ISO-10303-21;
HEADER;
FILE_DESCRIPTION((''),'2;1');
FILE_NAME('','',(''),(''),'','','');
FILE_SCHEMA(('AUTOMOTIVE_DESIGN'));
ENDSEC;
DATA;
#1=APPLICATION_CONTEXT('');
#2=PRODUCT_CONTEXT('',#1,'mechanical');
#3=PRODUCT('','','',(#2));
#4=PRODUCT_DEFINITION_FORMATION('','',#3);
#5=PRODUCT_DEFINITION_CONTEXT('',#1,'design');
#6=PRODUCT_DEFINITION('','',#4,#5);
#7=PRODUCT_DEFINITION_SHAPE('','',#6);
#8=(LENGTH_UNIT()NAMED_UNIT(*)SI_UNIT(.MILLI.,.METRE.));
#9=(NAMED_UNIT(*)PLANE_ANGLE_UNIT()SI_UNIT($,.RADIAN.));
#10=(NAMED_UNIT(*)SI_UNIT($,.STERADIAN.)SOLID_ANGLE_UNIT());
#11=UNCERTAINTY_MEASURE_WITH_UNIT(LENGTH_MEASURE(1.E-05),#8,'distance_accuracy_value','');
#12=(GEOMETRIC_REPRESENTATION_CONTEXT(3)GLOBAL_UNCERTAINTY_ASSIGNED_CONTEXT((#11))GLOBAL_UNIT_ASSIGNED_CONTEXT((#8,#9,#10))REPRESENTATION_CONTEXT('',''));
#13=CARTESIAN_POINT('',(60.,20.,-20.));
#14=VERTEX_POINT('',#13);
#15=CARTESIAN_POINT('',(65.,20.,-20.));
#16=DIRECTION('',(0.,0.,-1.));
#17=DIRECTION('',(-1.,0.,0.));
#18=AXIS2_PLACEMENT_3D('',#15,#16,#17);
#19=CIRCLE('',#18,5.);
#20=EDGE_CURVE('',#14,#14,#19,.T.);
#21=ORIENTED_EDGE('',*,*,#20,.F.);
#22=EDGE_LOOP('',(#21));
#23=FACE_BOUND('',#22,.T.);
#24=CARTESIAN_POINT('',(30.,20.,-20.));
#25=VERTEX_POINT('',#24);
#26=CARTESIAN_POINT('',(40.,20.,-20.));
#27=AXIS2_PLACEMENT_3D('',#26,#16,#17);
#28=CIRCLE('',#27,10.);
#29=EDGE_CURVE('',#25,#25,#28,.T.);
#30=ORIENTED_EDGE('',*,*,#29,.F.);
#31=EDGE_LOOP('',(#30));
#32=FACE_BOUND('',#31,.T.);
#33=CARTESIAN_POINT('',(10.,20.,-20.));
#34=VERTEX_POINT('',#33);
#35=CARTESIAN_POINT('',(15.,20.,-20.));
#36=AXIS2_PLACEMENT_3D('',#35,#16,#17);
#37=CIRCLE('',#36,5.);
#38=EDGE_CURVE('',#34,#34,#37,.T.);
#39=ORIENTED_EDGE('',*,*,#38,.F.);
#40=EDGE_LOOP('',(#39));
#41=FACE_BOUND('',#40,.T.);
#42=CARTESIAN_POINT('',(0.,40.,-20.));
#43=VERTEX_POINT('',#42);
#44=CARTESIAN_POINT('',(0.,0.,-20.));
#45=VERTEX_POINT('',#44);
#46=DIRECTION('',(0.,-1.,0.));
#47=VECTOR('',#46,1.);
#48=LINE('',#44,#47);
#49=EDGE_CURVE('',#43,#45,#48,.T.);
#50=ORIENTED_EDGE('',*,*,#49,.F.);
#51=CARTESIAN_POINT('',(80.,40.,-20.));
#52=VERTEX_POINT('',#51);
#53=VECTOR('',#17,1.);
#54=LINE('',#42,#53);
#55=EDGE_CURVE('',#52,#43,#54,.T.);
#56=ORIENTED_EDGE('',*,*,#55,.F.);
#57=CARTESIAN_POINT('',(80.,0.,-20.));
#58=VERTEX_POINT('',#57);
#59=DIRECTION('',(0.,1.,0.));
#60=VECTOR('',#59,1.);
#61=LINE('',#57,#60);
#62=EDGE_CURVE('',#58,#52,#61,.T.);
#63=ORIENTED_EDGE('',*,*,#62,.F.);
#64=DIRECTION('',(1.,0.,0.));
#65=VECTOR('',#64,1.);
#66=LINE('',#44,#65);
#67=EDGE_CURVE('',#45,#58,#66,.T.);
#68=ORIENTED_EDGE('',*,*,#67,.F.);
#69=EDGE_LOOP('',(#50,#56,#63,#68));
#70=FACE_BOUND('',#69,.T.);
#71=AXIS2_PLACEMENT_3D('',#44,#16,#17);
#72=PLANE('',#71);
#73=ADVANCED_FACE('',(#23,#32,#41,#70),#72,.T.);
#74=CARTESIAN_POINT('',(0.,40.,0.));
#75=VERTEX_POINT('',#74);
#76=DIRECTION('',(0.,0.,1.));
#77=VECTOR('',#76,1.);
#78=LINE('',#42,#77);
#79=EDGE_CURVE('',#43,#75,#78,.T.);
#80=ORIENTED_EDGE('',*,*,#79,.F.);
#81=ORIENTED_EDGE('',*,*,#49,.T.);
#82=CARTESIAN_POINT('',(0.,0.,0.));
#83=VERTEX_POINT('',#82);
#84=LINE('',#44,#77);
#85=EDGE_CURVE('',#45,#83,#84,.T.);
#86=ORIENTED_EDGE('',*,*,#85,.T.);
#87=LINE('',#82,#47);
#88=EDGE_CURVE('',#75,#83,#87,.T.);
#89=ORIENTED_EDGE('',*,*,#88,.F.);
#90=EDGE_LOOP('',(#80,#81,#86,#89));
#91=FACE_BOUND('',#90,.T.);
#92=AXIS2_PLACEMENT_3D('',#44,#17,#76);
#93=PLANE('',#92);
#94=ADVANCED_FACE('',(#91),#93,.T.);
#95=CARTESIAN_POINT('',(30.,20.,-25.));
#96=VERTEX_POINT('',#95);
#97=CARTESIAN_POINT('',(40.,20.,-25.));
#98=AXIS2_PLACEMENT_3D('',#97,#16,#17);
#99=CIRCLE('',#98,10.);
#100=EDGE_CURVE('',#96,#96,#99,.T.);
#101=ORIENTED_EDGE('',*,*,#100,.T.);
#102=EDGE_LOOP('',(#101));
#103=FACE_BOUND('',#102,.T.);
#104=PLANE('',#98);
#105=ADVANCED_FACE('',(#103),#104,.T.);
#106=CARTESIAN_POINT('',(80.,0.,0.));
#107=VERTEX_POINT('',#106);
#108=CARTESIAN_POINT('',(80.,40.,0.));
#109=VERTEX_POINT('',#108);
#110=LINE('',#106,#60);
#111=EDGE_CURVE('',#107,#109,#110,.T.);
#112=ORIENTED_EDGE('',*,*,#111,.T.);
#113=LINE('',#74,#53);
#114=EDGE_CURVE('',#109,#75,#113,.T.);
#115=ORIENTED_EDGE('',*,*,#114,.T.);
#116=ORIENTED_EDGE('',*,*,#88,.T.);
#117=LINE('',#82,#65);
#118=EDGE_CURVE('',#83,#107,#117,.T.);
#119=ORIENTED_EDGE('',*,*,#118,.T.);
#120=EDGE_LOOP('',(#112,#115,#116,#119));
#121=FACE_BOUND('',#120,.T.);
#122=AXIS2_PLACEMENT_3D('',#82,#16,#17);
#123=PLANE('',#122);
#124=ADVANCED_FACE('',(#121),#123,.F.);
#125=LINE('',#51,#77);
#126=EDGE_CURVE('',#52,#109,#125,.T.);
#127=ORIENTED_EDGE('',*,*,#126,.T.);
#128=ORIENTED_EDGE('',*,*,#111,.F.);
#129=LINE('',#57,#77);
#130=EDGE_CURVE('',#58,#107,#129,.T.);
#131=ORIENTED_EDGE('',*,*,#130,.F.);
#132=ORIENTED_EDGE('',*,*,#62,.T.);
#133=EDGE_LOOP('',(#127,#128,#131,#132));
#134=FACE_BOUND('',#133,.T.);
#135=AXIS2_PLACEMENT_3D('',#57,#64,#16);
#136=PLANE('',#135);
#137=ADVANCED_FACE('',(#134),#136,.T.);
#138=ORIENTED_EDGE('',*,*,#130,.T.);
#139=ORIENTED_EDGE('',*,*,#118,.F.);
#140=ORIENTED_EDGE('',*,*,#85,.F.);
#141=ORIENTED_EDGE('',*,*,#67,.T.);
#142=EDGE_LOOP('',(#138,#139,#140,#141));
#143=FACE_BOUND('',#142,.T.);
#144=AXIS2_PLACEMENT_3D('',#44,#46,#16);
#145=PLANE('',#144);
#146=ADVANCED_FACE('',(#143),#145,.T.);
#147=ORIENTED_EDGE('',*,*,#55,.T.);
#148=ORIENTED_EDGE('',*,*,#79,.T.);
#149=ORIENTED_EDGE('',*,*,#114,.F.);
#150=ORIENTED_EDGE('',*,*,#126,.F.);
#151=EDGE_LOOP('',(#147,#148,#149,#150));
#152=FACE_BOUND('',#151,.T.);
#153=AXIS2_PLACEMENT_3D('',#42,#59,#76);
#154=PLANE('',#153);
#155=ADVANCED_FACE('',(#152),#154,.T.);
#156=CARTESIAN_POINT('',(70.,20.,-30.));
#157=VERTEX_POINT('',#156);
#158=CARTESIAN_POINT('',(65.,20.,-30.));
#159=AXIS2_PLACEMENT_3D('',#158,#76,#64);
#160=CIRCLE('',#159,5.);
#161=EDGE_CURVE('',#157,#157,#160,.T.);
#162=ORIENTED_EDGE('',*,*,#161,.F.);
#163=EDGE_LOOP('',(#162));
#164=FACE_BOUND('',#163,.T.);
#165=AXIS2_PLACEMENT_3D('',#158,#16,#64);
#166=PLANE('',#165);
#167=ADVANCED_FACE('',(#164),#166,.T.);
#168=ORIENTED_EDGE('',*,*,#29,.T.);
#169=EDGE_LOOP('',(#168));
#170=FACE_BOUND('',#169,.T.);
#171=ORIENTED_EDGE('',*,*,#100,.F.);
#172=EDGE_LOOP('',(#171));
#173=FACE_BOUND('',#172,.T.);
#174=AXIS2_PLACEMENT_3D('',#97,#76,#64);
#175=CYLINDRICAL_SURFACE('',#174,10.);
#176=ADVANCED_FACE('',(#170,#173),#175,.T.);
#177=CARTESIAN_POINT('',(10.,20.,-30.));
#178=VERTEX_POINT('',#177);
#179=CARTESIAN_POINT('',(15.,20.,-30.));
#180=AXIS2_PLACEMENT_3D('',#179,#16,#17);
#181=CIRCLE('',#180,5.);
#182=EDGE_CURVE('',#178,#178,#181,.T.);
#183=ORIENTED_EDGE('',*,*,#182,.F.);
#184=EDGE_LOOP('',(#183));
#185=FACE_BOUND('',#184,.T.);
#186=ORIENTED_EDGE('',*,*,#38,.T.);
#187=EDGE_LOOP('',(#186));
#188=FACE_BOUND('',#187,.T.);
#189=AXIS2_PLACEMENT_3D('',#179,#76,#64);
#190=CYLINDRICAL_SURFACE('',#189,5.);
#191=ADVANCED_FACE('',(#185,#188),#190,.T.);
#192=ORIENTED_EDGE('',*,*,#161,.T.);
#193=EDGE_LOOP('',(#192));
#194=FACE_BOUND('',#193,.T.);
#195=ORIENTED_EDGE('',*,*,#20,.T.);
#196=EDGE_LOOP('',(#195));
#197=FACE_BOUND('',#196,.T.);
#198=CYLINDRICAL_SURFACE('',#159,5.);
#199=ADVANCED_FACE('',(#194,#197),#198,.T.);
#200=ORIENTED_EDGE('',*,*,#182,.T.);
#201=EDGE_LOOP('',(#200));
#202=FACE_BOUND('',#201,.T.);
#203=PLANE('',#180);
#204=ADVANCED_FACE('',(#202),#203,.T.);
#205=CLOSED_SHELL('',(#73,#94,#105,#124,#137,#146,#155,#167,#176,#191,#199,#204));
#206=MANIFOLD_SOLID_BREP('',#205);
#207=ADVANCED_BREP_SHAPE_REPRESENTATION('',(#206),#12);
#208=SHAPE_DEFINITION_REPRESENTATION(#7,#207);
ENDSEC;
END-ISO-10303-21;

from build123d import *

# Parameters (mm, degrees)
SKETCH1_W           = 80
SKETCH1_H           = 40
BOSS_EXTRUDE1_DEPTH = 20
SKETCH2_R           = 10
BOSS_EXTRUDE2_DEPTH = 5
SKETCH3_R           = 5
BOSS_EXTRUDE3_DEPTH = 10


with BuildPart() as part:
    # Sketch1 → Boss-Extrude1 (new body)
    with BuildSketch(Plane.XY):
        with Locations((40, 20)):
            Rectangle(SKETCH1_W, SKETCH1_H)
    extrude(amount=-BOSS_EXTRUDE1_DEPTH)

    # Sketch2 → Boss-Extrude2 (add)
    with BuildSketch(Plane(origin=(0, 0, -20), x_dir=(-1, 0, 0), z_dir=(0, 0, -1))):
        with Locations((-40, 20)):
            Circle(SKETCH2_R)
    extrude(amount=BOSS_EXTRUDE2_DEPTH)

    # Sketch3 → Boss-Extrude3 (add)
    with BuildSketch(Plane(origin=(0, 0, -20), x_dir=(-1, 0, 0), z_dir=(0, 0, -1))):
        with Locations((-15, 20)):
            Circle(SKETCH3_R)
    boss_extrude3 = extrude(amount=BOSS_EXTRUDE3_DEPTH)

    # Mirror1: Boss-Extrude3 across plane
    add(boss_extrude3.mirror(Plane.ZY.offset(-40)))


solid = part.part
